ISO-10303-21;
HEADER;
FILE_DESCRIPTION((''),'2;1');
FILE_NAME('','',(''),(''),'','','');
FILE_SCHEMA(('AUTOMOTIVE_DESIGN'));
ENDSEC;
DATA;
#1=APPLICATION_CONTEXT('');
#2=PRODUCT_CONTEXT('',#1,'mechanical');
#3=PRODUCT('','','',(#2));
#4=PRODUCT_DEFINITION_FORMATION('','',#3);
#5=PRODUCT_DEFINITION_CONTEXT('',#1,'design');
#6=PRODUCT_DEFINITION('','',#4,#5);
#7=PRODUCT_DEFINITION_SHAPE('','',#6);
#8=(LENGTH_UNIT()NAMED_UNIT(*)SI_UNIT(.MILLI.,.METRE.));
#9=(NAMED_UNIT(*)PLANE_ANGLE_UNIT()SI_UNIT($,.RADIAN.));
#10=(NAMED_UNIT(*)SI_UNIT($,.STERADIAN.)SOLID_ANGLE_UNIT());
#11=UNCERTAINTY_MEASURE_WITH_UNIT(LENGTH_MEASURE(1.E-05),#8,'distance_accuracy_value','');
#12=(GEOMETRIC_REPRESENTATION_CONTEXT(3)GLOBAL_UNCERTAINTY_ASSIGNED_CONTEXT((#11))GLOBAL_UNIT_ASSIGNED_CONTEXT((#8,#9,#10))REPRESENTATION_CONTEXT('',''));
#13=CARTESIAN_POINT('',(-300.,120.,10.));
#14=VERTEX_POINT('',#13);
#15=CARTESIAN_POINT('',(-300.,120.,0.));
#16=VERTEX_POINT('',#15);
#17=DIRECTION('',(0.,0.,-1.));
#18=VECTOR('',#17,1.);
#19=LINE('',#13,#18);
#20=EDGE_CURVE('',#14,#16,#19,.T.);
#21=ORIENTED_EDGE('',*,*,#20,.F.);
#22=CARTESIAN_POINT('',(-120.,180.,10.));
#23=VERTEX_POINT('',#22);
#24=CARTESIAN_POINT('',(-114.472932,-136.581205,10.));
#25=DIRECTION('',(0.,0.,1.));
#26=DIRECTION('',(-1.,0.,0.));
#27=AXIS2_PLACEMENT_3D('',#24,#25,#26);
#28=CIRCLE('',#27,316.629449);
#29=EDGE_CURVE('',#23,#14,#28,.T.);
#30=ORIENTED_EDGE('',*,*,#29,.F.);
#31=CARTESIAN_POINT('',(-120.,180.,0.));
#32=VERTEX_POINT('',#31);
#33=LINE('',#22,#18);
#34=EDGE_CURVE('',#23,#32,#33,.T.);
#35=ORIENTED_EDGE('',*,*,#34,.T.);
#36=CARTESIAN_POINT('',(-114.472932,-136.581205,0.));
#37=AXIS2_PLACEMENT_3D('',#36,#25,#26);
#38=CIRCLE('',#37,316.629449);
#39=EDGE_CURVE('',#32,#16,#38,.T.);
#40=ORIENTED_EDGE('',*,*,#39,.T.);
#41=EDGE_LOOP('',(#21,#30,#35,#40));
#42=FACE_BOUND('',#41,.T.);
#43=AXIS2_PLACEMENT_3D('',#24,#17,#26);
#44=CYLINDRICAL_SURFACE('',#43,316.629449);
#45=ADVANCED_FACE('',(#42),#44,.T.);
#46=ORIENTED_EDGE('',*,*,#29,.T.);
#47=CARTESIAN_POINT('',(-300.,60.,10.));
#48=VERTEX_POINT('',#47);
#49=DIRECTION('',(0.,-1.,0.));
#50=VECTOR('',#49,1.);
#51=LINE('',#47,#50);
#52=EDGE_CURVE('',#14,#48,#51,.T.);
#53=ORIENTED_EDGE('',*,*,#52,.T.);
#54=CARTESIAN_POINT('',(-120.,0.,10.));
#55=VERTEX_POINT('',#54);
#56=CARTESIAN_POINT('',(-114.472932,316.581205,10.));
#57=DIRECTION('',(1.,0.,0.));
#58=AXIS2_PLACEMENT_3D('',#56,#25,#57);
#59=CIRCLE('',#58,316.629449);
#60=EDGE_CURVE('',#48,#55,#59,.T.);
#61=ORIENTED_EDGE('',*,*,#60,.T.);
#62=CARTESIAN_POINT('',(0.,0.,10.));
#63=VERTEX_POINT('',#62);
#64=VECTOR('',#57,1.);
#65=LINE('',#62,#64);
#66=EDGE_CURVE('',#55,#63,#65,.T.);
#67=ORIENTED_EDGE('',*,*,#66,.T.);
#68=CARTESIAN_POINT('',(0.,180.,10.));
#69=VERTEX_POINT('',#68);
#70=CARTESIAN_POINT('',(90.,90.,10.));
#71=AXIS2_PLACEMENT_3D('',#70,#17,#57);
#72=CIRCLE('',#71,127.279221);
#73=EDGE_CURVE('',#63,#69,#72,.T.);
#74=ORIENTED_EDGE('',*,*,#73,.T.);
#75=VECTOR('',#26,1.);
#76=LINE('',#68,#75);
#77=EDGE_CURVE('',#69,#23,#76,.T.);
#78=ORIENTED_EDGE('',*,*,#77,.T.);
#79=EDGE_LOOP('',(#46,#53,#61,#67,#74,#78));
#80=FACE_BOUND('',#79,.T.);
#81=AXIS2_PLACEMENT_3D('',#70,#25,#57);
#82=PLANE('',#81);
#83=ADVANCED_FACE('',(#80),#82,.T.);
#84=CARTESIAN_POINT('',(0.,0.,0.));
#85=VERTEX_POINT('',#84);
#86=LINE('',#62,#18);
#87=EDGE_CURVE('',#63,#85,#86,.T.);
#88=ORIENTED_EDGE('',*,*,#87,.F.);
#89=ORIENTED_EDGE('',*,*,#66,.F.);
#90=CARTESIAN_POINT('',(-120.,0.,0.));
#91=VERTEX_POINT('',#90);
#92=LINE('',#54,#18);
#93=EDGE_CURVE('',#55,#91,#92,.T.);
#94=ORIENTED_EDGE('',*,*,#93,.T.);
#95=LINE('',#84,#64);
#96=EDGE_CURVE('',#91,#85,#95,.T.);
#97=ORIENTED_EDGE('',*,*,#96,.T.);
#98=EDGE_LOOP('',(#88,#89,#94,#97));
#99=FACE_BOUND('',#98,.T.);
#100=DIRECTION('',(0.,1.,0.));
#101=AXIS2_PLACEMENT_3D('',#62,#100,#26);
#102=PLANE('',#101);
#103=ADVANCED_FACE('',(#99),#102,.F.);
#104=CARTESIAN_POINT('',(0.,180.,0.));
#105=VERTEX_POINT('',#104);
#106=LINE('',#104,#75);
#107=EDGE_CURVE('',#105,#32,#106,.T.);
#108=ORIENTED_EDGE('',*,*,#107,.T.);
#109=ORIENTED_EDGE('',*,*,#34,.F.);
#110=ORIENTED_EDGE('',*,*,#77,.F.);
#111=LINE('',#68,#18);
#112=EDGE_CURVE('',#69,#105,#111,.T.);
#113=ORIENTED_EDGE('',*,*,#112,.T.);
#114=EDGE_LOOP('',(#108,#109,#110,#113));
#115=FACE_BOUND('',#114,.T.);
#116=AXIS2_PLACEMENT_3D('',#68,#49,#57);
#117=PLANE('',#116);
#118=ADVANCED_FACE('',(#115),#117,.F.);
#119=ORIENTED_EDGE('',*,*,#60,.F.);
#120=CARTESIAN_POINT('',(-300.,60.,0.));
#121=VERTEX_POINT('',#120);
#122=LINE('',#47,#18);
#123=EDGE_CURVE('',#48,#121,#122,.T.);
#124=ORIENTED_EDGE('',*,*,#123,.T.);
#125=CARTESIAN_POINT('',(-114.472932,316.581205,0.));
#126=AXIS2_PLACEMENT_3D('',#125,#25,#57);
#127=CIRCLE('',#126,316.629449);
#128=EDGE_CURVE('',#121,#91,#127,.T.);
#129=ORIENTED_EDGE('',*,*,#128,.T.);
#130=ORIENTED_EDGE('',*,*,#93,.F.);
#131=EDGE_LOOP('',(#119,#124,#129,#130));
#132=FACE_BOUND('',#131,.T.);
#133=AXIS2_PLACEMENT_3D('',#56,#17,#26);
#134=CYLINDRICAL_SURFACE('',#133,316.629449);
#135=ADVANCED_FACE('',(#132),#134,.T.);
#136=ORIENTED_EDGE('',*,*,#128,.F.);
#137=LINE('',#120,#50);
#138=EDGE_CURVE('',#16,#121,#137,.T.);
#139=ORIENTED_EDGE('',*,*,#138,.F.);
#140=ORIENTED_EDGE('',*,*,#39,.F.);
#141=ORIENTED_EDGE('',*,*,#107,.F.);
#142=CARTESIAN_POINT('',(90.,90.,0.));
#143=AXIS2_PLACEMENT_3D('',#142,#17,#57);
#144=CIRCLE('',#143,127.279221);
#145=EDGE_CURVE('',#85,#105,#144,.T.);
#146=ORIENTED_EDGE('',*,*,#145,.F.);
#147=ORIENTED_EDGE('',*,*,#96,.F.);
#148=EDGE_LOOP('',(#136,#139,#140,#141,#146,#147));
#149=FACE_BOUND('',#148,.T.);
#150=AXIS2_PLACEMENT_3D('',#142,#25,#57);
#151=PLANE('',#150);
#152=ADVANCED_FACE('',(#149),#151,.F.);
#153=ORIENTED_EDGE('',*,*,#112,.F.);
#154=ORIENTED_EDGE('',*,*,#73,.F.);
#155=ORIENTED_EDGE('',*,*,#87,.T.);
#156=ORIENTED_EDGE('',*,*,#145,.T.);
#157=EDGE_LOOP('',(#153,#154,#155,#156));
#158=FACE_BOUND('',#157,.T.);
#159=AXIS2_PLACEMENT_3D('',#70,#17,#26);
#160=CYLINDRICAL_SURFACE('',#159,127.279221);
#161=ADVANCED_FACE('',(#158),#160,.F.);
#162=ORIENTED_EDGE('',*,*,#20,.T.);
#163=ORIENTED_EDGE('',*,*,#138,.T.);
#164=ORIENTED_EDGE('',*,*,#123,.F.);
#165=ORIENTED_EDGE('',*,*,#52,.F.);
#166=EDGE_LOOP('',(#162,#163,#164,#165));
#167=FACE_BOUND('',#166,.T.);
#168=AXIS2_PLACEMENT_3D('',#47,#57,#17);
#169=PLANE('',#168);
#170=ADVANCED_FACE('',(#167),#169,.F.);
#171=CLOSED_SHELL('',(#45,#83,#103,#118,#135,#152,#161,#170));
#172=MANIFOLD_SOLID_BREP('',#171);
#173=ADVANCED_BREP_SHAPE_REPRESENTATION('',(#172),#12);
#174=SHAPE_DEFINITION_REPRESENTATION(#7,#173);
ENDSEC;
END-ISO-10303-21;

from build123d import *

# Parameters (mm, degrees)
BOSS_EXTRUDE1_DEPTH = 10


with BuildPart() as part:
    # Sketch1 → Boss-Extrude1 (new body)
    with BuildSketch(Plane.XY):
        with BuildLine():
            Line((0, 0), (-120, 0))
            ThreePointArc((-120, 0), (-214.59995491, 16.200135269), (-300, 60))
            Line((-300, 60), (-300, 120))
            ThreePointArc((-300, 120), (-214.59995491, 163.799864731), (-120, 180))
            Line((-120, 180), (0, 180))
            ThreePointArc((0, 180), (-37.279220614, 90), (0, 0))
        make_face()
    extrude(amount=BOSS_EXTRUDE1_DEPTH)


solid = part.part
